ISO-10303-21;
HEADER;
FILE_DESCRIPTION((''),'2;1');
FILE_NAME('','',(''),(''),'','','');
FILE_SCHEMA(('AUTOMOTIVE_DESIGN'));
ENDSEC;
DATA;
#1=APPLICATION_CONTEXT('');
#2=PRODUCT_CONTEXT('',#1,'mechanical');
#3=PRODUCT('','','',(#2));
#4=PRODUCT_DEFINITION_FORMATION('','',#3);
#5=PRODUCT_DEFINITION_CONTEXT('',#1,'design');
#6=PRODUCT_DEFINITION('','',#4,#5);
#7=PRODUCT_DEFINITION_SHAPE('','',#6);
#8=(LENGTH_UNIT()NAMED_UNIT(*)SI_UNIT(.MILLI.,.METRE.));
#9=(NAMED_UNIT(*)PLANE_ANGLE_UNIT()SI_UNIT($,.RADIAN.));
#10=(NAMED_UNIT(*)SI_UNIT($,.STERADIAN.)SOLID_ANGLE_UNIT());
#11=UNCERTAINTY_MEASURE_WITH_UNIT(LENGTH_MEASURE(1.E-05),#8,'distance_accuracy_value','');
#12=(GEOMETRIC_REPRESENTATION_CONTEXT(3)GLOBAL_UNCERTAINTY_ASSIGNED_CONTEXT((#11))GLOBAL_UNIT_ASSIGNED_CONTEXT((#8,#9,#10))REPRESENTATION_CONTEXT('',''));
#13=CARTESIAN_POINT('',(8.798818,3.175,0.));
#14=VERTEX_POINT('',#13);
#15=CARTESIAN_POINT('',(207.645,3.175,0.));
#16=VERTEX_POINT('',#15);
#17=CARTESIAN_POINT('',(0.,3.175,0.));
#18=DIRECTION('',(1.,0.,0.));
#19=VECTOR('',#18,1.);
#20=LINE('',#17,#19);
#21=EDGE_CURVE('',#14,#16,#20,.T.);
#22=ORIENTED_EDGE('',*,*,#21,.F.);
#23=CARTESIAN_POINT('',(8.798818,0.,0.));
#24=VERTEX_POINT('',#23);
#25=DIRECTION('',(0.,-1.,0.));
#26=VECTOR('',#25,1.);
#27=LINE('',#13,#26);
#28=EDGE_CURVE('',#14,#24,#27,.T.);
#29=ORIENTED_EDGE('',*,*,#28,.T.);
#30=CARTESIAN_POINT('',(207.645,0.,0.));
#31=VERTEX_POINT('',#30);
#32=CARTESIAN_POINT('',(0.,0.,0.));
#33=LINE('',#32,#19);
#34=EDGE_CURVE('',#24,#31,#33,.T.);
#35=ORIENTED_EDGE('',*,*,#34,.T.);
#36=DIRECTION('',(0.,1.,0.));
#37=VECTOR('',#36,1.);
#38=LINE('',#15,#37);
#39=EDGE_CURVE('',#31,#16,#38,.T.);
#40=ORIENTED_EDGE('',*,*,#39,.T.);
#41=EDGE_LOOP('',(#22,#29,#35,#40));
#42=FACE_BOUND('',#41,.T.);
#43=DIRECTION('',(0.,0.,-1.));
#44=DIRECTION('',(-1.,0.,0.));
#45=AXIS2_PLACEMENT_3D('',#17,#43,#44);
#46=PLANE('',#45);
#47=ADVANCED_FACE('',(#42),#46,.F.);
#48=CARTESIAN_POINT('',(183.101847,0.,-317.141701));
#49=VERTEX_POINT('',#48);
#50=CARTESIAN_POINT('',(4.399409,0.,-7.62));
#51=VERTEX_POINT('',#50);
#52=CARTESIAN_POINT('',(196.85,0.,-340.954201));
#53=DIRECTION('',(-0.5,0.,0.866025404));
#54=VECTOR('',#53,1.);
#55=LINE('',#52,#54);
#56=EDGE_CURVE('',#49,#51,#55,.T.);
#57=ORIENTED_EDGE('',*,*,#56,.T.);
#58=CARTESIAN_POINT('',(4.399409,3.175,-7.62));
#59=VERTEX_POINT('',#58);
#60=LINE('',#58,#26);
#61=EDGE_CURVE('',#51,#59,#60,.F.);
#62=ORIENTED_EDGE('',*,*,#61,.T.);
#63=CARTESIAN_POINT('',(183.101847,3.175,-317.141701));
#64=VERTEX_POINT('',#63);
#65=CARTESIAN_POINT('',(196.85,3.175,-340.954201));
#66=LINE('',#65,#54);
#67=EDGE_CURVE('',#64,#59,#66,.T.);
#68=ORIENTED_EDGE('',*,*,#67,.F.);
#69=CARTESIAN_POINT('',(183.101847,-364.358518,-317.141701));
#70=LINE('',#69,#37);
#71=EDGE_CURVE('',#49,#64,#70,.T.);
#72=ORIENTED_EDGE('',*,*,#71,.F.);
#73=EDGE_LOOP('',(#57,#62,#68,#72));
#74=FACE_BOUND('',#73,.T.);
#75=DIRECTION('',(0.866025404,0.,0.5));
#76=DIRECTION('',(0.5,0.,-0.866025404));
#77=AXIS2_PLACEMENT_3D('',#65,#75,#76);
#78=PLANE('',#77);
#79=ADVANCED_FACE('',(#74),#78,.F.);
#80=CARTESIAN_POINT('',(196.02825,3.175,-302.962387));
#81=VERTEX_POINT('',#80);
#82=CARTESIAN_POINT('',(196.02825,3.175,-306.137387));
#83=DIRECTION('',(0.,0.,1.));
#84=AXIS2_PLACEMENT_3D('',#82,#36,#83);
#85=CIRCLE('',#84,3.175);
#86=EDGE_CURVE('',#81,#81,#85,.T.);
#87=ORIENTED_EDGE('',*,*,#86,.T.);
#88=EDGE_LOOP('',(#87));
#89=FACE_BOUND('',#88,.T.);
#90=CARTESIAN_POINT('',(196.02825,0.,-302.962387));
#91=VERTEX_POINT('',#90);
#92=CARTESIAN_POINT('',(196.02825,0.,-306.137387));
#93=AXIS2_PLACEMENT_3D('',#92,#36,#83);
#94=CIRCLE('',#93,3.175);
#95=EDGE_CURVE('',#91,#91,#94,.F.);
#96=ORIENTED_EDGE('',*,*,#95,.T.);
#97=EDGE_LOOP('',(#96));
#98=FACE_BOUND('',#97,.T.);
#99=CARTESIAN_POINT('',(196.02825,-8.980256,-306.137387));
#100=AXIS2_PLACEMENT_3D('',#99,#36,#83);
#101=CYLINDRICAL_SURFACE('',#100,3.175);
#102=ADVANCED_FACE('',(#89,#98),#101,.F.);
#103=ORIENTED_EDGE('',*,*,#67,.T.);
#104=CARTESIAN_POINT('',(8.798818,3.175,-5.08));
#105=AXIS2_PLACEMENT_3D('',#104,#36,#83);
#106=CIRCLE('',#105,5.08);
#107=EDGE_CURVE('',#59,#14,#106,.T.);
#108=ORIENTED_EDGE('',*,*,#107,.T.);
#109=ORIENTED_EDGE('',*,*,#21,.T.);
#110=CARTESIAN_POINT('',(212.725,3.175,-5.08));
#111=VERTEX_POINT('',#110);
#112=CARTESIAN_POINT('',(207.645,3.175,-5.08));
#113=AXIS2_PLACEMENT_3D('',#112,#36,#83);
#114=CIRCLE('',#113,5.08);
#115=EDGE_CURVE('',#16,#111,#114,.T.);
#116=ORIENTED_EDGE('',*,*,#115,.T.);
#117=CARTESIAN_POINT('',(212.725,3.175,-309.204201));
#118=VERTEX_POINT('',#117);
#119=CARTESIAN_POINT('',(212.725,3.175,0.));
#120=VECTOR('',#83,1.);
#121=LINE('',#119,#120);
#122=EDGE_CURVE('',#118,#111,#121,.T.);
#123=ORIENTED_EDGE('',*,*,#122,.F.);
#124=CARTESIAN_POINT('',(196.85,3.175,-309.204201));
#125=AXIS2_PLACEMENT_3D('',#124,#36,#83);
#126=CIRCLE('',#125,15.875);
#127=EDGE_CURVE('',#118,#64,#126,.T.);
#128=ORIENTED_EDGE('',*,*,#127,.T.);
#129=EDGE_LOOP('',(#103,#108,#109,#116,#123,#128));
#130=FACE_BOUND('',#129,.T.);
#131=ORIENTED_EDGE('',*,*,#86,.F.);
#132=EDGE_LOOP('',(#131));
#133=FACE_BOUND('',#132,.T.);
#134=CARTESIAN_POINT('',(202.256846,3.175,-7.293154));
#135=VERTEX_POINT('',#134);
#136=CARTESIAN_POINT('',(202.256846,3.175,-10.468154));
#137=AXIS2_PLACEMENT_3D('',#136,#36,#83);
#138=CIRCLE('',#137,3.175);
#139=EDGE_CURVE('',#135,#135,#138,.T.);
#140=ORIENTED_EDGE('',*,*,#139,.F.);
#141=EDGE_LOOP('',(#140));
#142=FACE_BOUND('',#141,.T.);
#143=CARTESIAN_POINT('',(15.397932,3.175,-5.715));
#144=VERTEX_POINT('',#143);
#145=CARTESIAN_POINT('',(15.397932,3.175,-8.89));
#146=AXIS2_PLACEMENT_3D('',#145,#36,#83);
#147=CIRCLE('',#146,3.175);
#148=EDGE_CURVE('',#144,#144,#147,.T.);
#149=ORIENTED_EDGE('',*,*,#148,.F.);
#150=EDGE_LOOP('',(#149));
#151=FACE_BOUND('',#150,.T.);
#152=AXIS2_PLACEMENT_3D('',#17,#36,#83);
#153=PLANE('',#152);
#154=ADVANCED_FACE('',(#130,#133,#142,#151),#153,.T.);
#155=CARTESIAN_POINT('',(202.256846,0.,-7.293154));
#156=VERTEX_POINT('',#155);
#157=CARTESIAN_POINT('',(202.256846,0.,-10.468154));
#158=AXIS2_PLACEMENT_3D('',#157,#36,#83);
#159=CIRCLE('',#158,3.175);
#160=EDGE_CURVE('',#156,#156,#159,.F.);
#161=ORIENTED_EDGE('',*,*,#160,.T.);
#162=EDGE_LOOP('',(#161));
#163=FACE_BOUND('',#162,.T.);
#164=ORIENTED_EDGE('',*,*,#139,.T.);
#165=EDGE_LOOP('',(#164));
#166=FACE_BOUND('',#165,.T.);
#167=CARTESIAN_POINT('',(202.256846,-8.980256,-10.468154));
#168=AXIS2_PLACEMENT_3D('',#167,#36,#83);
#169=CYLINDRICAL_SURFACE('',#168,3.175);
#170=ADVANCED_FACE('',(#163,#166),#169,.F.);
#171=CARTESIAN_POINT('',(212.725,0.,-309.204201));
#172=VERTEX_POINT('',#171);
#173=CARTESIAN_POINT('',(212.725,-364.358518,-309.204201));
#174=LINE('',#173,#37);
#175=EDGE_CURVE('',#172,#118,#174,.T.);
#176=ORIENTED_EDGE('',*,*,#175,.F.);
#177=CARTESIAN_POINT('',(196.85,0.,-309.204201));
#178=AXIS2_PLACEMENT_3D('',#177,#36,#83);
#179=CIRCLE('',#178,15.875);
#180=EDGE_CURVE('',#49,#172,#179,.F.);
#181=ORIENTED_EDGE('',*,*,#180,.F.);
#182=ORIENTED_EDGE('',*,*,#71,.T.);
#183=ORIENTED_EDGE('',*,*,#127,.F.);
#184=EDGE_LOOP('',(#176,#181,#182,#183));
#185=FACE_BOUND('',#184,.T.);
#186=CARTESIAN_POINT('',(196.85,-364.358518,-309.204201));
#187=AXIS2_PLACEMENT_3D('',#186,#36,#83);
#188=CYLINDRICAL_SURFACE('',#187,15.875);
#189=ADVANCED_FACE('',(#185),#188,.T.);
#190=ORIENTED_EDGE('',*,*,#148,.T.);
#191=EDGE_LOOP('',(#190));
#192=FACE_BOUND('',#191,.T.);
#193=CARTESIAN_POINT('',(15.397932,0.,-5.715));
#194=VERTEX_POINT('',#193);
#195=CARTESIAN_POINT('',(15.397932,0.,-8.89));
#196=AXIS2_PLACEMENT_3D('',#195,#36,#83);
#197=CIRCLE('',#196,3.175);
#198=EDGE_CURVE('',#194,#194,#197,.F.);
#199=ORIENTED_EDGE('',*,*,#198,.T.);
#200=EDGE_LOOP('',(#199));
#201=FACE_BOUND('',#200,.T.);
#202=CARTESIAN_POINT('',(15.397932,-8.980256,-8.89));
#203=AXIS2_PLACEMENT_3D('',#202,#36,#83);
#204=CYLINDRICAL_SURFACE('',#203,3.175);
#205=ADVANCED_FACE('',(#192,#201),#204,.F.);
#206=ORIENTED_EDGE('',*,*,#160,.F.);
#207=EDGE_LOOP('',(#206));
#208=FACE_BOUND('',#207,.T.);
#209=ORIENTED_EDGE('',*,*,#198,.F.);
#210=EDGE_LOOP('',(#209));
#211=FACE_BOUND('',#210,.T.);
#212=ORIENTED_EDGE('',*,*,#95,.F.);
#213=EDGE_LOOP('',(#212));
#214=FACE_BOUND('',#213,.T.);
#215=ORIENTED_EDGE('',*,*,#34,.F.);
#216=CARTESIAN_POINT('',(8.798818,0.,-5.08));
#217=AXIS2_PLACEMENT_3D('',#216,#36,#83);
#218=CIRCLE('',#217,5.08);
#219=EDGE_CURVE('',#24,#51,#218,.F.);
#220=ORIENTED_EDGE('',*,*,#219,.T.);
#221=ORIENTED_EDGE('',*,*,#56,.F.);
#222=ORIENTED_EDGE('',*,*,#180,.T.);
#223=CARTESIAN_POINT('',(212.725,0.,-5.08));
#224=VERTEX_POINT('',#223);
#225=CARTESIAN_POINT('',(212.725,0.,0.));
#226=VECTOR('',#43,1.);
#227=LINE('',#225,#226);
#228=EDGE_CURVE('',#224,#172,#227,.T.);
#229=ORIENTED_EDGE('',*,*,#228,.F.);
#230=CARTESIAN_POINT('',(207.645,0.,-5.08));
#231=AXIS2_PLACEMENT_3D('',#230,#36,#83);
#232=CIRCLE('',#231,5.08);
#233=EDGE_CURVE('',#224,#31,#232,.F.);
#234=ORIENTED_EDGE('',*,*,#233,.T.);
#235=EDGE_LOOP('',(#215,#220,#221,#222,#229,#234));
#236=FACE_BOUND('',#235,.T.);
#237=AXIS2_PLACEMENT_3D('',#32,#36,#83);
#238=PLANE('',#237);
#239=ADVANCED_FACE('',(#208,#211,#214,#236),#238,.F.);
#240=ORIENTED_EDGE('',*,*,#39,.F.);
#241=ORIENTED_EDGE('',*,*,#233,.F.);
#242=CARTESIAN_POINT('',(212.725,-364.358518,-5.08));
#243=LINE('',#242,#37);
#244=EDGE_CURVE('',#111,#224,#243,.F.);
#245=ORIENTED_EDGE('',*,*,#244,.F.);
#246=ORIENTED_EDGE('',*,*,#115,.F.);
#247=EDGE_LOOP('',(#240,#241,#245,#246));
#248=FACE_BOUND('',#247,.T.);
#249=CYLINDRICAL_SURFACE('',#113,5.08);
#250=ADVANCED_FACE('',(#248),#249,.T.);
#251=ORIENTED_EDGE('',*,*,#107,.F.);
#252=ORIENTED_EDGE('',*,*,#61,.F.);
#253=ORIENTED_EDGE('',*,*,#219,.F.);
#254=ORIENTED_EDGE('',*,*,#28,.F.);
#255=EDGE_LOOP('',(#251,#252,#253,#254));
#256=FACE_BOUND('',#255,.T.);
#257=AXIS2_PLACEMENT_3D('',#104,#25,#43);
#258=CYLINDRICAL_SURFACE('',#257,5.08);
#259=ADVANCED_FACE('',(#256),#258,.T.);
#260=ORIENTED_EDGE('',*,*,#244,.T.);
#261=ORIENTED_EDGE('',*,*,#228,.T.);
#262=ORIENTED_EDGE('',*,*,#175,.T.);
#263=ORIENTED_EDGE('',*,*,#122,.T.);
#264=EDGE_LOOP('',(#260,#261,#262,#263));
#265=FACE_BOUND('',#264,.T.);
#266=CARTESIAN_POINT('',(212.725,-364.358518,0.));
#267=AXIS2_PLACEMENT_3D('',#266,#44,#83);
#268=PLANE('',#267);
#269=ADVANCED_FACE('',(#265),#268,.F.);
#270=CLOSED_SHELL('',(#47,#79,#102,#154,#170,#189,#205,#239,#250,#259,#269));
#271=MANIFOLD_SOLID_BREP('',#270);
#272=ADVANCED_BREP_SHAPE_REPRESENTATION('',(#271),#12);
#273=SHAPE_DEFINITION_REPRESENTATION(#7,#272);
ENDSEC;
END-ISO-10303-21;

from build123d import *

# Parameters (mm, degrees)
BOSS_EXTRUDE1_DEPTH = 3.175
FILLET1_R           = 5.08
CUT_EXTRUDE2_DEPTH  = 3.175
FILLET2_R           = 5.08
SKETCH4_R           = 3.175
CUT_EXTRUDE3_DEPTH  = 3.175


with BuildPart() as part:
    # Sketch1 → Boss-Extrude1 (new body)
    with BuildSketch(Plane(origin=(0, 0, 0), x_dir=(1, 0, 0), z_dir=(0, 1, 0))):
        Polygon((0, 0), (393.7, 0), (196.85, 340.95420147), align=None)
    extrude(amount=BOSS_EXTRUDE1_DEPTH)

    # Fillet1
    fillet1_edges = [part.edges().sort_by_distance(p)[0] for p in [
        (196.85, 1.5875, -340.95420147),
        (393.7, 1.5875, 0),
        (0, 1.5875, 0),
    ]]
    fillet(fillet1_edges, radius=FILLET1_R)

    # Sketch3 → Cut-Extrude2 (cut)
    with BuildSketch(Plane(origin=(0, 3.175, 0), x_dir=(1, 0, 0), z_dir=(0, 1, 0))):
        with BuildLine():
            Line((389.300590949, 7.62), (210.598153285, 317.14170147))
            ThreePointArc((210.598153285, 317.14170147), (212.184072492, 313.312953811), (212.725, 309.20420147))
            Line((212.725, 309.20420147), (212.725, 0))
            Line((212.725, 0), (384.901181898, 0))
            ThreePointArc((384.901181898, 0), (389.300590949, 2.54), (389.300590949, 7.62))
        make_face()
        with BuildLine():
            Line((210.598153285, 317.14170147), (201.249409051, 333.33420147))
            ThreePointArc((201.249409051, 333.33420147), (196.85, 335.87420147), (192.450590949, 333.33420147))
            Line((192.450590949, 333.33420147), (183.101846715, 317.14170147))
            ThreePointArc((183.101846715, 317.14170147), (196.85, 325.07920147), (210.598153285, 317.14170147))
        make_face()
    extrude(amount=-CUT_EXTRUDE2_DEPTH, mode=Mode.SUBTRACT)

    # Fillet2
    fillet2_edges = [part.edges().sort_by_distance(p)[0] for p in [
        (212.725, 1.5875, 0),
    ]]
    fillet(fillet2_edges, radius=FILLET2_R)

    # Sketch4 → Cut-Extrude3 (cut)
    with BuildSketch(Plane(origin=(0, 3.175, 0), x_dir=(1, 0, 0), z_dir=(0, 1, 0))):
        with Locations((196.028249532, 306.137386971)):
            Circle(SKETCH4_R)
        with Locations((202.256846327, 10.468153673)):
            Circle(SKETCH4_R)
        with Locations((15.397931679, 8.89)):
            Circle(SKETCH4_R)
    extrude(amount=-CUT_EXTRUDE3_DEPTH, mode=Mode.SUBTRACT)


solid = part.part
